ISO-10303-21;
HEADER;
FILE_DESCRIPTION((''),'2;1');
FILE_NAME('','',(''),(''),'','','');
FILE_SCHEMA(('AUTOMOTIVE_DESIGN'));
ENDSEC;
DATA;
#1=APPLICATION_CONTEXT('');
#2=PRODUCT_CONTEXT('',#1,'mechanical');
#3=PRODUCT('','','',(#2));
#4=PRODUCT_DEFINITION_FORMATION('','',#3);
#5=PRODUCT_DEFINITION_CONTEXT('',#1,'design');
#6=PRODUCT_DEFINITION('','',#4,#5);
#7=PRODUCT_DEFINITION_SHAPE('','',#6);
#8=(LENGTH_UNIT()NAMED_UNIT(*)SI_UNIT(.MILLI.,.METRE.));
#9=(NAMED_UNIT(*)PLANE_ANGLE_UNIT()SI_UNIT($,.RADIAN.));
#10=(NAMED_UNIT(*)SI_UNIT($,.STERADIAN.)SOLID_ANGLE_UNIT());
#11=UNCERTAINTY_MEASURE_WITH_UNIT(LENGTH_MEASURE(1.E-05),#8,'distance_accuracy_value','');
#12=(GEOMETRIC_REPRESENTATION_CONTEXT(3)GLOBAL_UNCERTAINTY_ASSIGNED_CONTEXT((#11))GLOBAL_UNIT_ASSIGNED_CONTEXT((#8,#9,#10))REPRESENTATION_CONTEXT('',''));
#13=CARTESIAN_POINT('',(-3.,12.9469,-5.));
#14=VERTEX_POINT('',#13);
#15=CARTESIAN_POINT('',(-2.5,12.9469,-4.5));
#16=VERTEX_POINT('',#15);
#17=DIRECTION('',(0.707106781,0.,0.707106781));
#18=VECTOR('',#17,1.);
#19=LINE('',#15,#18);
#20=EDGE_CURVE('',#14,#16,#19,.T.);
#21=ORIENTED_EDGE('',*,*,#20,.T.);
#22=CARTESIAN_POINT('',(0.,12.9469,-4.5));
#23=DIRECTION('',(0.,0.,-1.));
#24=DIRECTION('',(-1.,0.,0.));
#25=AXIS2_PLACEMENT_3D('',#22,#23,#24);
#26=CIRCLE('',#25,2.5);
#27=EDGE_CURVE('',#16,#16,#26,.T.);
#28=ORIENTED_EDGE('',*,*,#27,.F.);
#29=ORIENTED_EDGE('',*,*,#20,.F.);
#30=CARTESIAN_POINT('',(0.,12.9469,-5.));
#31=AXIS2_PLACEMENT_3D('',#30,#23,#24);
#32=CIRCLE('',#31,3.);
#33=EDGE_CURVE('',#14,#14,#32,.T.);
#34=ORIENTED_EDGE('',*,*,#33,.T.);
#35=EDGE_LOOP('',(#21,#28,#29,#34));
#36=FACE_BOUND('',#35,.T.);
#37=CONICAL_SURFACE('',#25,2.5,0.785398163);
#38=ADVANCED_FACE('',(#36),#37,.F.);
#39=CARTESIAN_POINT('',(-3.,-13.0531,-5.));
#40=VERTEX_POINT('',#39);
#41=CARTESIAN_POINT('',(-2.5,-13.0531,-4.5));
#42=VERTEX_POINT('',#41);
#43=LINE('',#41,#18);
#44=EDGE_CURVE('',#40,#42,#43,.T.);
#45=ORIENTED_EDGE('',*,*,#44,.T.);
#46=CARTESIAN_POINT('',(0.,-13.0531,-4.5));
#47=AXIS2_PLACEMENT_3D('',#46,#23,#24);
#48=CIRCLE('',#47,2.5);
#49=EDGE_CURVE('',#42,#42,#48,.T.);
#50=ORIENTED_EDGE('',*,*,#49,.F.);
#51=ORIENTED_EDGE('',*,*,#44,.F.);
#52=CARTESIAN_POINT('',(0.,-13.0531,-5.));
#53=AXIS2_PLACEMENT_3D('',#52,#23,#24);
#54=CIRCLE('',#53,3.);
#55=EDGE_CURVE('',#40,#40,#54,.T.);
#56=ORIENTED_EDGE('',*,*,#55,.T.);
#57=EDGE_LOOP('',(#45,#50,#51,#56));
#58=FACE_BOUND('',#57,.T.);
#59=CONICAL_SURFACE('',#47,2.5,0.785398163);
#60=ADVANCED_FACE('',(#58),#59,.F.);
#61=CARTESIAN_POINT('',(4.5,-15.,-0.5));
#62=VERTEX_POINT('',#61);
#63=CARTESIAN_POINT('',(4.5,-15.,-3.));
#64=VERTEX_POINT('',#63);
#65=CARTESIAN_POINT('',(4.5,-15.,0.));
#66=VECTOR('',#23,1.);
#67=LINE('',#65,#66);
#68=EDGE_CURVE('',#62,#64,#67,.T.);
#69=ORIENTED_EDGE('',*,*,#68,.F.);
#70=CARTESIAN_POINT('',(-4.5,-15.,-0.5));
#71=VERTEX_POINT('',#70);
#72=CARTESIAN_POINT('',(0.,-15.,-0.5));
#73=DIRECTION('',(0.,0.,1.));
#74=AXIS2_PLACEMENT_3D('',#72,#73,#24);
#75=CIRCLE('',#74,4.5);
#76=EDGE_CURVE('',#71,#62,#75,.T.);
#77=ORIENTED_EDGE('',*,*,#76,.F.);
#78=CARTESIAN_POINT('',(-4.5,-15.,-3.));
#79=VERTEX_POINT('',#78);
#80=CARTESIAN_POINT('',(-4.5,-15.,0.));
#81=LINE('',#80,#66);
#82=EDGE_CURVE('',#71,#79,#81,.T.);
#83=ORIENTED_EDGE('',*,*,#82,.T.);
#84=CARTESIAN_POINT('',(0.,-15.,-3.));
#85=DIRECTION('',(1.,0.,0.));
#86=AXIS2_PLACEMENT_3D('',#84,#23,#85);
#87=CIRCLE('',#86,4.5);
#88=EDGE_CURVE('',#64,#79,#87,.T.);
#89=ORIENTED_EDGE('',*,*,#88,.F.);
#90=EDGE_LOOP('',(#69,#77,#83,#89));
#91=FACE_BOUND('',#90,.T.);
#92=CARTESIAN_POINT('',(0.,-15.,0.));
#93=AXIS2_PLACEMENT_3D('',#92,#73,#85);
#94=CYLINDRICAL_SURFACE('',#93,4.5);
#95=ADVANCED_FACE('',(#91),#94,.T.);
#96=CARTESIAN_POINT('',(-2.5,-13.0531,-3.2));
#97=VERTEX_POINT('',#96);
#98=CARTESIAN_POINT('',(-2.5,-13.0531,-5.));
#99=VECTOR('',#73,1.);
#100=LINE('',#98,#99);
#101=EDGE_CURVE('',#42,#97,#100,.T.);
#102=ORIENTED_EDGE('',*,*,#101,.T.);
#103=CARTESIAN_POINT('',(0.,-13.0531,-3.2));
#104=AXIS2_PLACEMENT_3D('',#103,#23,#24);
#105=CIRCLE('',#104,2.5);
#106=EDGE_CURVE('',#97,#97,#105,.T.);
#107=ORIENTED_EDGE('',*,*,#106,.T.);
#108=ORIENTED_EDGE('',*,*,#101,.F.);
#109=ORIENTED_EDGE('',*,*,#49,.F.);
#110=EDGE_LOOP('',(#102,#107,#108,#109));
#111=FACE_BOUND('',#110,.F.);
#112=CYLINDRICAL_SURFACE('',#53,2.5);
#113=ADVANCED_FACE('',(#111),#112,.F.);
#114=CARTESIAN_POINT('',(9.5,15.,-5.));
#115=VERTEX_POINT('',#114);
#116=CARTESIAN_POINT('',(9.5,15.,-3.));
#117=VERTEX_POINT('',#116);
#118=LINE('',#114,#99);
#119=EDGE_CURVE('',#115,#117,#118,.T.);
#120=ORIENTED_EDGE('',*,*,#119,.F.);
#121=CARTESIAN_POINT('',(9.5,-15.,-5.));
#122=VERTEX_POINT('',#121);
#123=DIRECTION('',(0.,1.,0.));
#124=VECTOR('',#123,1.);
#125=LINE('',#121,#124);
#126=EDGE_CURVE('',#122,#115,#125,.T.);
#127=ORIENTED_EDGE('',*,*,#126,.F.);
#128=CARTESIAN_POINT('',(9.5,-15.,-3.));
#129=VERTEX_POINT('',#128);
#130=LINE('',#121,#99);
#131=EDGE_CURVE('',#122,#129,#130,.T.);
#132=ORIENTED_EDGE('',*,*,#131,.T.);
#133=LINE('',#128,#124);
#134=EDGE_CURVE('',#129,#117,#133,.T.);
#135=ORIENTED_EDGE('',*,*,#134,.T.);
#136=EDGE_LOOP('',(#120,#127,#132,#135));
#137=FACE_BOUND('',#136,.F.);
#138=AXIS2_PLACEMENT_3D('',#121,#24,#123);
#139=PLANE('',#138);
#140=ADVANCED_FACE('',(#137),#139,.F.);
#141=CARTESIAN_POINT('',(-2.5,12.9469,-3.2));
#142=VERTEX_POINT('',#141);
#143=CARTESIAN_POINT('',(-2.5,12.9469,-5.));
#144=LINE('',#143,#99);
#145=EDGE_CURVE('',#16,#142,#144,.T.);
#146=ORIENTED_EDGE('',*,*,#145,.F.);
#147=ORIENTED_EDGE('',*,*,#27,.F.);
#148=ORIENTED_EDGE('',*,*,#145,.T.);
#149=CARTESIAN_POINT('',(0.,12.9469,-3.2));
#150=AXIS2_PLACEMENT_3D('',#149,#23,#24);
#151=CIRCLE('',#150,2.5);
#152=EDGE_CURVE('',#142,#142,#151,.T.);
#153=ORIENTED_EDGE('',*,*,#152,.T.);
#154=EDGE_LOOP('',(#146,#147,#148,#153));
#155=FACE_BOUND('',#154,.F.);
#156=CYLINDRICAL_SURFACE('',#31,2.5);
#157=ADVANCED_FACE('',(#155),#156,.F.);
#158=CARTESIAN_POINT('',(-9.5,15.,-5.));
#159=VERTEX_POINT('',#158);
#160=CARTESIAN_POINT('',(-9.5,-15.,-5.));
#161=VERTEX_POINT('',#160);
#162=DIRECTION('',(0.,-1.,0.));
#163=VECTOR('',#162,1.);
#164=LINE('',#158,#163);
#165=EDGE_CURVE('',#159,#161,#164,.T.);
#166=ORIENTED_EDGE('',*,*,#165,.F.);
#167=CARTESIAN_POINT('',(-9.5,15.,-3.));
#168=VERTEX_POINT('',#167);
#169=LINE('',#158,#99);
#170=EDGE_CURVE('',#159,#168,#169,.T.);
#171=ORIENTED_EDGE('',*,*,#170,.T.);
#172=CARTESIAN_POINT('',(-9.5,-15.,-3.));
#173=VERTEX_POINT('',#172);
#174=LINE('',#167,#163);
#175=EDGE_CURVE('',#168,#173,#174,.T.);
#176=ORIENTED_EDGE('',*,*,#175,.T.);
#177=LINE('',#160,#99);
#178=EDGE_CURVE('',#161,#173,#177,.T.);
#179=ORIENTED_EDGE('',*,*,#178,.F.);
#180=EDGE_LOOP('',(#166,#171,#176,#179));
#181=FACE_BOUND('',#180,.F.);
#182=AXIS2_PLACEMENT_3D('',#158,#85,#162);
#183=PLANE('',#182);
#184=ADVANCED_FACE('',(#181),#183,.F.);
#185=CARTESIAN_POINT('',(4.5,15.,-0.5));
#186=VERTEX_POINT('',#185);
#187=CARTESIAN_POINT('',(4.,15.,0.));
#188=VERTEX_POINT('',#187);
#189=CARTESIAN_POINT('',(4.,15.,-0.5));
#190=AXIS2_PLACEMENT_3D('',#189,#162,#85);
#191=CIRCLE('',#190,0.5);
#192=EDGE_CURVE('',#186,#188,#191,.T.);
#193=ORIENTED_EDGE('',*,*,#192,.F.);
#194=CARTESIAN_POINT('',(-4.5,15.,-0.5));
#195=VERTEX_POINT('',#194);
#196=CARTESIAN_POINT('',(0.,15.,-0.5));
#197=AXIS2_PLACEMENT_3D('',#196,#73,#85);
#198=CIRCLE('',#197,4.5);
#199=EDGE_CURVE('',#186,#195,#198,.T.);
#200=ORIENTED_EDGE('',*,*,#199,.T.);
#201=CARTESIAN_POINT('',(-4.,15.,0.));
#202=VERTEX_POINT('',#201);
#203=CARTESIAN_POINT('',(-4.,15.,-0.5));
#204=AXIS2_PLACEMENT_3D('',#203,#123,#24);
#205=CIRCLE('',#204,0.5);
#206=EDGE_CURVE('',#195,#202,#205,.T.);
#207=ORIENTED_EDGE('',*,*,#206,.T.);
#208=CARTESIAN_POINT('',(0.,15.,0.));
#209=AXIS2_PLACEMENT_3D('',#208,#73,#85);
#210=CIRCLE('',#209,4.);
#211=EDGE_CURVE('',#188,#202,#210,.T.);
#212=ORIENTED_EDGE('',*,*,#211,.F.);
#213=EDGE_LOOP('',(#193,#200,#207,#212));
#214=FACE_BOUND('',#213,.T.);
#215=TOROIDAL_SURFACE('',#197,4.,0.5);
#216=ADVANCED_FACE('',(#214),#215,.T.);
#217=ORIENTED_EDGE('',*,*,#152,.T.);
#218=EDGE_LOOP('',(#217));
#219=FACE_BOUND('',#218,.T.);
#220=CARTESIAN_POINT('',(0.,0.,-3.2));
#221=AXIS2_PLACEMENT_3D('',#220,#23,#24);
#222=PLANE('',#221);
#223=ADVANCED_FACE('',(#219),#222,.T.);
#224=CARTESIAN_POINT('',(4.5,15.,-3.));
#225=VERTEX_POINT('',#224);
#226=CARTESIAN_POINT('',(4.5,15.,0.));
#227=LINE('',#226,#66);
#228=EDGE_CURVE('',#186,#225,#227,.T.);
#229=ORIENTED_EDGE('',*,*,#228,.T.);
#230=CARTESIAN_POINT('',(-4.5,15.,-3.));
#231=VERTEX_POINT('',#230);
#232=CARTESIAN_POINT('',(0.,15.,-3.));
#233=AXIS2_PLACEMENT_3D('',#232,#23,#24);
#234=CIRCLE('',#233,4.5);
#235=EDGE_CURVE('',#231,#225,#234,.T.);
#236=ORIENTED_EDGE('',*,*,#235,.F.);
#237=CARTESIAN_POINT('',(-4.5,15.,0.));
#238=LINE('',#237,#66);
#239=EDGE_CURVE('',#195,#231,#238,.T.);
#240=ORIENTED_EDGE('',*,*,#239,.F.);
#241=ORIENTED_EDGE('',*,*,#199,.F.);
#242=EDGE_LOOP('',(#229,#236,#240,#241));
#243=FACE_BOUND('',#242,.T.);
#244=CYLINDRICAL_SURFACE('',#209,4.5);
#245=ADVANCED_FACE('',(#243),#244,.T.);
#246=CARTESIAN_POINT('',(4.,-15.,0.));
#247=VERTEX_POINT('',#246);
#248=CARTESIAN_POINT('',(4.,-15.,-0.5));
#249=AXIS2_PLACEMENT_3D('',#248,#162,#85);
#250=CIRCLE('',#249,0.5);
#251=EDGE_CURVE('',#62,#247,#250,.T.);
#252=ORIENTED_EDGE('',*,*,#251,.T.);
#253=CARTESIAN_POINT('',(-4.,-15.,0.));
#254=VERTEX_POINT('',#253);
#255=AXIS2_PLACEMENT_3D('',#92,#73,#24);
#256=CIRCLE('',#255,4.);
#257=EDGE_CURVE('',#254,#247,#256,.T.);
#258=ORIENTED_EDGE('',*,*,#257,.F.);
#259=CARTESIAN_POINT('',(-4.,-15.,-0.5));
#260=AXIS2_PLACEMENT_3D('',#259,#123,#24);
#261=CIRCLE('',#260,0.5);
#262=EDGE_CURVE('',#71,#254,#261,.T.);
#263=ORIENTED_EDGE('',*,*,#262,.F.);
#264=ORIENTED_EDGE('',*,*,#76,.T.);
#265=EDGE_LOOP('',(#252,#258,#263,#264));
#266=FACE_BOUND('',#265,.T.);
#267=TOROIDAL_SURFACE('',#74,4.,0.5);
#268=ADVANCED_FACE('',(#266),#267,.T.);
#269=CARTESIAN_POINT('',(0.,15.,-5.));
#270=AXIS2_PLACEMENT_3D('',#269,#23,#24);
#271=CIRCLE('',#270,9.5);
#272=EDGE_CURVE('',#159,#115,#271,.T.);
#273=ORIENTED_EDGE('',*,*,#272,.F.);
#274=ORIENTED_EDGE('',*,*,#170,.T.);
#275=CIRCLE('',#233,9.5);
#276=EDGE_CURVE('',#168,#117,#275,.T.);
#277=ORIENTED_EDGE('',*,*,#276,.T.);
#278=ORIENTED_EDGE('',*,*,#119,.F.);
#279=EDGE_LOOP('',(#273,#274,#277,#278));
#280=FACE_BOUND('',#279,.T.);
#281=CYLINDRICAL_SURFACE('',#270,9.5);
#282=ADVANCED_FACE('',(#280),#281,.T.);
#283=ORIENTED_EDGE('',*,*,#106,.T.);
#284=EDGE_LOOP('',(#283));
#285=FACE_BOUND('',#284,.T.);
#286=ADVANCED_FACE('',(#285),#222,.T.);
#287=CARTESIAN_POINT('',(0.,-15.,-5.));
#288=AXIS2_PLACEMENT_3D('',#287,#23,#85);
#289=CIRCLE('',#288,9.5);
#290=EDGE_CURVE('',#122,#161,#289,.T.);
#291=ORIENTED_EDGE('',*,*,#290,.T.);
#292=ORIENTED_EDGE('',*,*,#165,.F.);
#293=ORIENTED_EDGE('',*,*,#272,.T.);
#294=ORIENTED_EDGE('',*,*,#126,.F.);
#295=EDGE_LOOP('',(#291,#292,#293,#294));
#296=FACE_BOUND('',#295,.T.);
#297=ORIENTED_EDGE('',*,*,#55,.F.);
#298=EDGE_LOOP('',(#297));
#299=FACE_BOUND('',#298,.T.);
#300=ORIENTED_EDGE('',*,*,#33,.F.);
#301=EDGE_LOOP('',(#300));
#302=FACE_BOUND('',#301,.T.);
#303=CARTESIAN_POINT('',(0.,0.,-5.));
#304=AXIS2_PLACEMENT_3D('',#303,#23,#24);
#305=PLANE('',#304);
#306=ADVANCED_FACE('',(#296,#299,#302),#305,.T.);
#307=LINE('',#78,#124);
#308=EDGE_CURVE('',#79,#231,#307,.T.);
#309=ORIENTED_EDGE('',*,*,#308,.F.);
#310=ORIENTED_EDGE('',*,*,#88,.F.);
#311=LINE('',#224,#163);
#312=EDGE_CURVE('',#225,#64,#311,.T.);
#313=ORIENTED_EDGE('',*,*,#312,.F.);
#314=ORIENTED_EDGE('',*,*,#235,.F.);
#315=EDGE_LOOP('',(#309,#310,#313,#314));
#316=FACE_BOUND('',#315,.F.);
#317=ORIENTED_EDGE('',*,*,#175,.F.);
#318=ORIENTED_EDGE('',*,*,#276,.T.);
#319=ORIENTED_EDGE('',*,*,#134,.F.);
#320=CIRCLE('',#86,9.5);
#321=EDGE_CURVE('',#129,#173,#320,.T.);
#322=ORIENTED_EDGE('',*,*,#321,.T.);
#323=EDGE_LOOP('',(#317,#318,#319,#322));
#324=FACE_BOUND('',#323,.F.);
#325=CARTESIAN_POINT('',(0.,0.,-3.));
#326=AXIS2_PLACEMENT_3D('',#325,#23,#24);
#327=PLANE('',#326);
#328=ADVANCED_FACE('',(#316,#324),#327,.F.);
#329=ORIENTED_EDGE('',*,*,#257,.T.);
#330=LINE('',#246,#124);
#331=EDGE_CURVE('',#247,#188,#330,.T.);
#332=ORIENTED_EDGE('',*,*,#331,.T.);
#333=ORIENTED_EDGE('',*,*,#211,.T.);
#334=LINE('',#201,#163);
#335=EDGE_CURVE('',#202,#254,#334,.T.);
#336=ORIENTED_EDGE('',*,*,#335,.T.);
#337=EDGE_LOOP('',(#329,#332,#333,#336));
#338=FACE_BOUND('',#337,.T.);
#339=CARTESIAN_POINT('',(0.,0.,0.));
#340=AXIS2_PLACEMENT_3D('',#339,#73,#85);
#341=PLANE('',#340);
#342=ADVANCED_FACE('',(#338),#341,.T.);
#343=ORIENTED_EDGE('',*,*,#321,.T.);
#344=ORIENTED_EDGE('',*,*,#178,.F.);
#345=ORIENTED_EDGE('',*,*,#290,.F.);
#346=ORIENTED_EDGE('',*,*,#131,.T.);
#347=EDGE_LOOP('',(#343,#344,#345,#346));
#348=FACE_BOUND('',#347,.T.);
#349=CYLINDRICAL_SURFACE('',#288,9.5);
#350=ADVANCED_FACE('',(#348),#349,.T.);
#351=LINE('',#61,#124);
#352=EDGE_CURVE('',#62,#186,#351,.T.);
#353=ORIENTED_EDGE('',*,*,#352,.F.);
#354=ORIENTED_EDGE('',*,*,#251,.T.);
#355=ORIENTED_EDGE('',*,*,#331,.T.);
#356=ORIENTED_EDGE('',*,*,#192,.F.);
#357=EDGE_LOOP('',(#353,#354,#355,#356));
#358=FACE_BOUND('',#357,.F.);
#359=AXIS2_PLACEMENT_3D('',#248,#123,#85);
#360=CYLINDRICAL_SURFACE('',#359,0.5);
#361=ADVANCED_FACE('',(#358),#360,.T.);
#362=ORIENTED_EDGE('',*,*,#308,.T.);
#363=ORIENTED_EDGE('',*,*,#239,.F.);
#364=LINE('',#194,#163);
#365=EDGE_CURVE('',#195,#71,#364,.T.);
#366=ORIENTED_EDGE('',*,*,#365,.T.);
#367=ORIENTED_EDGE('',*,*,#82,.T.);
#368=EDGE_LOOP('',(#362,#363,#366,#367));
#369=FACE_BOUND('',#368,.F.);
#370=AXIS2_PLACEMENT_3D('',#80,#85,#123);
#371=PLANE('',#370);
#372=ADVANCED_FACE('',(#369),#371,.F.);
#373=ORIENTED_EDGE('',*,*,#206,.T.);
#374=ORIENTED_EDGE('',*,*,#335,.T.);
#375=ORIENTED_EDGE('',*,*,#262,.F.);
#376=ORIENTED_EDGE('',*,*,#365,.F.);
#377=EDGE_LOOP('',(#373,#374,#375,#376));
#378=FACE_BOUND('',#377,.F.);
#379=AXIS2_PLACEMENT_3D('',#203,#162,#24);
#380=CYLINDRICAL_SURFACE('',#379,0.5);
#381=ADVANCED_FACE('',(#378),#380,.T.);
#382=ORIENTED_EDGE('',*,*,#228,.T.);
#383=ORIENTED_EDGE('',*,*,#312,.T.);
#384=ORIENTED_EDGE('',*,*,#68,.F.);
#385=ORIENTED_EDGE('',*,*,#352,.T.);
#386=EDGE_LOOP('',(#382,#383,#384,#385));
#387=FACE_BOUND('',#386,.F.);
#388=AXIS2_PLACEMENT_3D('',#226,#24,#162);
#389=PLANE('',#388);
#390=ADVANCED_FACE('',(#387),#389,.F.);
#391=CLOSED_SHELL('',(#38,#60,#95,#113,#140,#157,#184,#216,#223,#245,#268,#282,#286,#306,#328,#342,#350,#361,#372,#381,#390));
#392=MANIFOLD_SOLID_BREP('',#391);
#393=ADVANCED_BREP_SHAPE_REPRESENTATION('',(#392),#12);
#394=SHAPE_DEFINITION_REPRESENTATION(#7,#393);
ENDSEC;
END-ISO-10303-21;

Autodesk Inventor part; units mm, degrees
ref_plane "YZ Plane" through (0, 0, 0) normal (1, 0, 0) x (0, 1, 0)
ref_plane "XZ Plane" through (0, 0, 0) normal (0, 1, 0) x (-1, 0, 0)
ref_plane "XY Plane" through (0, 0, 0) normal (0, 0, 1) x (1, 0, 0)
sketch "Sketch1" plane through (0, 0, 0) normal (0, 0, 1) x (1, 0, 0)
  line L0 (-4.5, 15) -> (4.5, 15)
  line L1 (4.5, 15) -> (4.5, -15)
  line L2 (4.5, -15) -> (-4.5, -15)
  line L3 (-4.5, -15) -> (-4.5, 15)
  line L4 (-4.5, 15) -> (4.5, -15) construction
  line L5 (4.5, 15) -> (-4.5, -15) construction
  circle A0 centre (0, 15) radius 4.5
  circle A1 centre (0, -15) radius 4.5
  point P0 (0, 0)
  point P1 (-4.5, 15)
  point P2 (-4.5, -15)
  dimension "d0" = 9
  dimension "d1" = 30
extrude "Extrusion1" add sketch "Sketch1" against normal blind 5
sketch "Sketch3" plane through (0, 0, -5) normal (0, 0, -1) x (-1, 0, 0)
  line L0 (4.5, -15) -> (4.5, 15) projected
  arc A0 (4.5, 15) -> (-4.5, 15) centre (0, 15) ccw projected
  line L1 (-4.5, 15) -> (-4.5, -15) projected
  arc A1 (-4.5, -15) -> (4.5, -15) centre (0, -15) ccw projected
  line L2 (-9.5, -15) -> (-9.5, 15)
  arc A2 (9.5, 15) -> (-9.5, 15) centre (0, 15) ccw
  line L3 (9.5, 15) -> (9.5, -15)
  arc A3 (-9.5, -15) -> (9.5, -15) centre (0, -15) ccw
  point P0 (0, 0)
  dimension "d9" = 5
extrude "Extrusion3" add sketch "Sketch3" against normal blind 2
sketch "Sketch5" plane through (0, 0, -5) normal (0, 0, -1) x (-1, 0, 0)
  line L0 (-9.5, 15) -> (-9.5, -15) projected
  arc A0 (-9.5, -15) -> (9.5, -15) centre (0, -15) ccw projected
  line L1 (9.5, -15) -> (9.5, 15) projected
  arc A1 (9.5, 15) -> (-9.5, 15) centre (0, 15) ccw projected
  circle A2 centre (0, 12.9469) radius 2.5
  circle A3 centre (0, -13.0531) radius 2.5
  point P0 (0, 0)
  dimension "d12" = 26
  dimension "d13" = 5
extrude "Extrusion4" cut sketch "Sketch5" against normal blind 1.8 contours A2 | A3
chamfer "Chamfer1" distance 0.5 angle 45 2 edges at (2.5, 12.9469, -5) (2.5, -13.0531, -5)
fillet "Fillet2" radius 0.5 4 edges at (0, 19.5, 0) (-4.5, 0, 0) (0, -19.5, 0) (4.5, 0, 0)
properties part number "KLEP_KNOPPEN"
